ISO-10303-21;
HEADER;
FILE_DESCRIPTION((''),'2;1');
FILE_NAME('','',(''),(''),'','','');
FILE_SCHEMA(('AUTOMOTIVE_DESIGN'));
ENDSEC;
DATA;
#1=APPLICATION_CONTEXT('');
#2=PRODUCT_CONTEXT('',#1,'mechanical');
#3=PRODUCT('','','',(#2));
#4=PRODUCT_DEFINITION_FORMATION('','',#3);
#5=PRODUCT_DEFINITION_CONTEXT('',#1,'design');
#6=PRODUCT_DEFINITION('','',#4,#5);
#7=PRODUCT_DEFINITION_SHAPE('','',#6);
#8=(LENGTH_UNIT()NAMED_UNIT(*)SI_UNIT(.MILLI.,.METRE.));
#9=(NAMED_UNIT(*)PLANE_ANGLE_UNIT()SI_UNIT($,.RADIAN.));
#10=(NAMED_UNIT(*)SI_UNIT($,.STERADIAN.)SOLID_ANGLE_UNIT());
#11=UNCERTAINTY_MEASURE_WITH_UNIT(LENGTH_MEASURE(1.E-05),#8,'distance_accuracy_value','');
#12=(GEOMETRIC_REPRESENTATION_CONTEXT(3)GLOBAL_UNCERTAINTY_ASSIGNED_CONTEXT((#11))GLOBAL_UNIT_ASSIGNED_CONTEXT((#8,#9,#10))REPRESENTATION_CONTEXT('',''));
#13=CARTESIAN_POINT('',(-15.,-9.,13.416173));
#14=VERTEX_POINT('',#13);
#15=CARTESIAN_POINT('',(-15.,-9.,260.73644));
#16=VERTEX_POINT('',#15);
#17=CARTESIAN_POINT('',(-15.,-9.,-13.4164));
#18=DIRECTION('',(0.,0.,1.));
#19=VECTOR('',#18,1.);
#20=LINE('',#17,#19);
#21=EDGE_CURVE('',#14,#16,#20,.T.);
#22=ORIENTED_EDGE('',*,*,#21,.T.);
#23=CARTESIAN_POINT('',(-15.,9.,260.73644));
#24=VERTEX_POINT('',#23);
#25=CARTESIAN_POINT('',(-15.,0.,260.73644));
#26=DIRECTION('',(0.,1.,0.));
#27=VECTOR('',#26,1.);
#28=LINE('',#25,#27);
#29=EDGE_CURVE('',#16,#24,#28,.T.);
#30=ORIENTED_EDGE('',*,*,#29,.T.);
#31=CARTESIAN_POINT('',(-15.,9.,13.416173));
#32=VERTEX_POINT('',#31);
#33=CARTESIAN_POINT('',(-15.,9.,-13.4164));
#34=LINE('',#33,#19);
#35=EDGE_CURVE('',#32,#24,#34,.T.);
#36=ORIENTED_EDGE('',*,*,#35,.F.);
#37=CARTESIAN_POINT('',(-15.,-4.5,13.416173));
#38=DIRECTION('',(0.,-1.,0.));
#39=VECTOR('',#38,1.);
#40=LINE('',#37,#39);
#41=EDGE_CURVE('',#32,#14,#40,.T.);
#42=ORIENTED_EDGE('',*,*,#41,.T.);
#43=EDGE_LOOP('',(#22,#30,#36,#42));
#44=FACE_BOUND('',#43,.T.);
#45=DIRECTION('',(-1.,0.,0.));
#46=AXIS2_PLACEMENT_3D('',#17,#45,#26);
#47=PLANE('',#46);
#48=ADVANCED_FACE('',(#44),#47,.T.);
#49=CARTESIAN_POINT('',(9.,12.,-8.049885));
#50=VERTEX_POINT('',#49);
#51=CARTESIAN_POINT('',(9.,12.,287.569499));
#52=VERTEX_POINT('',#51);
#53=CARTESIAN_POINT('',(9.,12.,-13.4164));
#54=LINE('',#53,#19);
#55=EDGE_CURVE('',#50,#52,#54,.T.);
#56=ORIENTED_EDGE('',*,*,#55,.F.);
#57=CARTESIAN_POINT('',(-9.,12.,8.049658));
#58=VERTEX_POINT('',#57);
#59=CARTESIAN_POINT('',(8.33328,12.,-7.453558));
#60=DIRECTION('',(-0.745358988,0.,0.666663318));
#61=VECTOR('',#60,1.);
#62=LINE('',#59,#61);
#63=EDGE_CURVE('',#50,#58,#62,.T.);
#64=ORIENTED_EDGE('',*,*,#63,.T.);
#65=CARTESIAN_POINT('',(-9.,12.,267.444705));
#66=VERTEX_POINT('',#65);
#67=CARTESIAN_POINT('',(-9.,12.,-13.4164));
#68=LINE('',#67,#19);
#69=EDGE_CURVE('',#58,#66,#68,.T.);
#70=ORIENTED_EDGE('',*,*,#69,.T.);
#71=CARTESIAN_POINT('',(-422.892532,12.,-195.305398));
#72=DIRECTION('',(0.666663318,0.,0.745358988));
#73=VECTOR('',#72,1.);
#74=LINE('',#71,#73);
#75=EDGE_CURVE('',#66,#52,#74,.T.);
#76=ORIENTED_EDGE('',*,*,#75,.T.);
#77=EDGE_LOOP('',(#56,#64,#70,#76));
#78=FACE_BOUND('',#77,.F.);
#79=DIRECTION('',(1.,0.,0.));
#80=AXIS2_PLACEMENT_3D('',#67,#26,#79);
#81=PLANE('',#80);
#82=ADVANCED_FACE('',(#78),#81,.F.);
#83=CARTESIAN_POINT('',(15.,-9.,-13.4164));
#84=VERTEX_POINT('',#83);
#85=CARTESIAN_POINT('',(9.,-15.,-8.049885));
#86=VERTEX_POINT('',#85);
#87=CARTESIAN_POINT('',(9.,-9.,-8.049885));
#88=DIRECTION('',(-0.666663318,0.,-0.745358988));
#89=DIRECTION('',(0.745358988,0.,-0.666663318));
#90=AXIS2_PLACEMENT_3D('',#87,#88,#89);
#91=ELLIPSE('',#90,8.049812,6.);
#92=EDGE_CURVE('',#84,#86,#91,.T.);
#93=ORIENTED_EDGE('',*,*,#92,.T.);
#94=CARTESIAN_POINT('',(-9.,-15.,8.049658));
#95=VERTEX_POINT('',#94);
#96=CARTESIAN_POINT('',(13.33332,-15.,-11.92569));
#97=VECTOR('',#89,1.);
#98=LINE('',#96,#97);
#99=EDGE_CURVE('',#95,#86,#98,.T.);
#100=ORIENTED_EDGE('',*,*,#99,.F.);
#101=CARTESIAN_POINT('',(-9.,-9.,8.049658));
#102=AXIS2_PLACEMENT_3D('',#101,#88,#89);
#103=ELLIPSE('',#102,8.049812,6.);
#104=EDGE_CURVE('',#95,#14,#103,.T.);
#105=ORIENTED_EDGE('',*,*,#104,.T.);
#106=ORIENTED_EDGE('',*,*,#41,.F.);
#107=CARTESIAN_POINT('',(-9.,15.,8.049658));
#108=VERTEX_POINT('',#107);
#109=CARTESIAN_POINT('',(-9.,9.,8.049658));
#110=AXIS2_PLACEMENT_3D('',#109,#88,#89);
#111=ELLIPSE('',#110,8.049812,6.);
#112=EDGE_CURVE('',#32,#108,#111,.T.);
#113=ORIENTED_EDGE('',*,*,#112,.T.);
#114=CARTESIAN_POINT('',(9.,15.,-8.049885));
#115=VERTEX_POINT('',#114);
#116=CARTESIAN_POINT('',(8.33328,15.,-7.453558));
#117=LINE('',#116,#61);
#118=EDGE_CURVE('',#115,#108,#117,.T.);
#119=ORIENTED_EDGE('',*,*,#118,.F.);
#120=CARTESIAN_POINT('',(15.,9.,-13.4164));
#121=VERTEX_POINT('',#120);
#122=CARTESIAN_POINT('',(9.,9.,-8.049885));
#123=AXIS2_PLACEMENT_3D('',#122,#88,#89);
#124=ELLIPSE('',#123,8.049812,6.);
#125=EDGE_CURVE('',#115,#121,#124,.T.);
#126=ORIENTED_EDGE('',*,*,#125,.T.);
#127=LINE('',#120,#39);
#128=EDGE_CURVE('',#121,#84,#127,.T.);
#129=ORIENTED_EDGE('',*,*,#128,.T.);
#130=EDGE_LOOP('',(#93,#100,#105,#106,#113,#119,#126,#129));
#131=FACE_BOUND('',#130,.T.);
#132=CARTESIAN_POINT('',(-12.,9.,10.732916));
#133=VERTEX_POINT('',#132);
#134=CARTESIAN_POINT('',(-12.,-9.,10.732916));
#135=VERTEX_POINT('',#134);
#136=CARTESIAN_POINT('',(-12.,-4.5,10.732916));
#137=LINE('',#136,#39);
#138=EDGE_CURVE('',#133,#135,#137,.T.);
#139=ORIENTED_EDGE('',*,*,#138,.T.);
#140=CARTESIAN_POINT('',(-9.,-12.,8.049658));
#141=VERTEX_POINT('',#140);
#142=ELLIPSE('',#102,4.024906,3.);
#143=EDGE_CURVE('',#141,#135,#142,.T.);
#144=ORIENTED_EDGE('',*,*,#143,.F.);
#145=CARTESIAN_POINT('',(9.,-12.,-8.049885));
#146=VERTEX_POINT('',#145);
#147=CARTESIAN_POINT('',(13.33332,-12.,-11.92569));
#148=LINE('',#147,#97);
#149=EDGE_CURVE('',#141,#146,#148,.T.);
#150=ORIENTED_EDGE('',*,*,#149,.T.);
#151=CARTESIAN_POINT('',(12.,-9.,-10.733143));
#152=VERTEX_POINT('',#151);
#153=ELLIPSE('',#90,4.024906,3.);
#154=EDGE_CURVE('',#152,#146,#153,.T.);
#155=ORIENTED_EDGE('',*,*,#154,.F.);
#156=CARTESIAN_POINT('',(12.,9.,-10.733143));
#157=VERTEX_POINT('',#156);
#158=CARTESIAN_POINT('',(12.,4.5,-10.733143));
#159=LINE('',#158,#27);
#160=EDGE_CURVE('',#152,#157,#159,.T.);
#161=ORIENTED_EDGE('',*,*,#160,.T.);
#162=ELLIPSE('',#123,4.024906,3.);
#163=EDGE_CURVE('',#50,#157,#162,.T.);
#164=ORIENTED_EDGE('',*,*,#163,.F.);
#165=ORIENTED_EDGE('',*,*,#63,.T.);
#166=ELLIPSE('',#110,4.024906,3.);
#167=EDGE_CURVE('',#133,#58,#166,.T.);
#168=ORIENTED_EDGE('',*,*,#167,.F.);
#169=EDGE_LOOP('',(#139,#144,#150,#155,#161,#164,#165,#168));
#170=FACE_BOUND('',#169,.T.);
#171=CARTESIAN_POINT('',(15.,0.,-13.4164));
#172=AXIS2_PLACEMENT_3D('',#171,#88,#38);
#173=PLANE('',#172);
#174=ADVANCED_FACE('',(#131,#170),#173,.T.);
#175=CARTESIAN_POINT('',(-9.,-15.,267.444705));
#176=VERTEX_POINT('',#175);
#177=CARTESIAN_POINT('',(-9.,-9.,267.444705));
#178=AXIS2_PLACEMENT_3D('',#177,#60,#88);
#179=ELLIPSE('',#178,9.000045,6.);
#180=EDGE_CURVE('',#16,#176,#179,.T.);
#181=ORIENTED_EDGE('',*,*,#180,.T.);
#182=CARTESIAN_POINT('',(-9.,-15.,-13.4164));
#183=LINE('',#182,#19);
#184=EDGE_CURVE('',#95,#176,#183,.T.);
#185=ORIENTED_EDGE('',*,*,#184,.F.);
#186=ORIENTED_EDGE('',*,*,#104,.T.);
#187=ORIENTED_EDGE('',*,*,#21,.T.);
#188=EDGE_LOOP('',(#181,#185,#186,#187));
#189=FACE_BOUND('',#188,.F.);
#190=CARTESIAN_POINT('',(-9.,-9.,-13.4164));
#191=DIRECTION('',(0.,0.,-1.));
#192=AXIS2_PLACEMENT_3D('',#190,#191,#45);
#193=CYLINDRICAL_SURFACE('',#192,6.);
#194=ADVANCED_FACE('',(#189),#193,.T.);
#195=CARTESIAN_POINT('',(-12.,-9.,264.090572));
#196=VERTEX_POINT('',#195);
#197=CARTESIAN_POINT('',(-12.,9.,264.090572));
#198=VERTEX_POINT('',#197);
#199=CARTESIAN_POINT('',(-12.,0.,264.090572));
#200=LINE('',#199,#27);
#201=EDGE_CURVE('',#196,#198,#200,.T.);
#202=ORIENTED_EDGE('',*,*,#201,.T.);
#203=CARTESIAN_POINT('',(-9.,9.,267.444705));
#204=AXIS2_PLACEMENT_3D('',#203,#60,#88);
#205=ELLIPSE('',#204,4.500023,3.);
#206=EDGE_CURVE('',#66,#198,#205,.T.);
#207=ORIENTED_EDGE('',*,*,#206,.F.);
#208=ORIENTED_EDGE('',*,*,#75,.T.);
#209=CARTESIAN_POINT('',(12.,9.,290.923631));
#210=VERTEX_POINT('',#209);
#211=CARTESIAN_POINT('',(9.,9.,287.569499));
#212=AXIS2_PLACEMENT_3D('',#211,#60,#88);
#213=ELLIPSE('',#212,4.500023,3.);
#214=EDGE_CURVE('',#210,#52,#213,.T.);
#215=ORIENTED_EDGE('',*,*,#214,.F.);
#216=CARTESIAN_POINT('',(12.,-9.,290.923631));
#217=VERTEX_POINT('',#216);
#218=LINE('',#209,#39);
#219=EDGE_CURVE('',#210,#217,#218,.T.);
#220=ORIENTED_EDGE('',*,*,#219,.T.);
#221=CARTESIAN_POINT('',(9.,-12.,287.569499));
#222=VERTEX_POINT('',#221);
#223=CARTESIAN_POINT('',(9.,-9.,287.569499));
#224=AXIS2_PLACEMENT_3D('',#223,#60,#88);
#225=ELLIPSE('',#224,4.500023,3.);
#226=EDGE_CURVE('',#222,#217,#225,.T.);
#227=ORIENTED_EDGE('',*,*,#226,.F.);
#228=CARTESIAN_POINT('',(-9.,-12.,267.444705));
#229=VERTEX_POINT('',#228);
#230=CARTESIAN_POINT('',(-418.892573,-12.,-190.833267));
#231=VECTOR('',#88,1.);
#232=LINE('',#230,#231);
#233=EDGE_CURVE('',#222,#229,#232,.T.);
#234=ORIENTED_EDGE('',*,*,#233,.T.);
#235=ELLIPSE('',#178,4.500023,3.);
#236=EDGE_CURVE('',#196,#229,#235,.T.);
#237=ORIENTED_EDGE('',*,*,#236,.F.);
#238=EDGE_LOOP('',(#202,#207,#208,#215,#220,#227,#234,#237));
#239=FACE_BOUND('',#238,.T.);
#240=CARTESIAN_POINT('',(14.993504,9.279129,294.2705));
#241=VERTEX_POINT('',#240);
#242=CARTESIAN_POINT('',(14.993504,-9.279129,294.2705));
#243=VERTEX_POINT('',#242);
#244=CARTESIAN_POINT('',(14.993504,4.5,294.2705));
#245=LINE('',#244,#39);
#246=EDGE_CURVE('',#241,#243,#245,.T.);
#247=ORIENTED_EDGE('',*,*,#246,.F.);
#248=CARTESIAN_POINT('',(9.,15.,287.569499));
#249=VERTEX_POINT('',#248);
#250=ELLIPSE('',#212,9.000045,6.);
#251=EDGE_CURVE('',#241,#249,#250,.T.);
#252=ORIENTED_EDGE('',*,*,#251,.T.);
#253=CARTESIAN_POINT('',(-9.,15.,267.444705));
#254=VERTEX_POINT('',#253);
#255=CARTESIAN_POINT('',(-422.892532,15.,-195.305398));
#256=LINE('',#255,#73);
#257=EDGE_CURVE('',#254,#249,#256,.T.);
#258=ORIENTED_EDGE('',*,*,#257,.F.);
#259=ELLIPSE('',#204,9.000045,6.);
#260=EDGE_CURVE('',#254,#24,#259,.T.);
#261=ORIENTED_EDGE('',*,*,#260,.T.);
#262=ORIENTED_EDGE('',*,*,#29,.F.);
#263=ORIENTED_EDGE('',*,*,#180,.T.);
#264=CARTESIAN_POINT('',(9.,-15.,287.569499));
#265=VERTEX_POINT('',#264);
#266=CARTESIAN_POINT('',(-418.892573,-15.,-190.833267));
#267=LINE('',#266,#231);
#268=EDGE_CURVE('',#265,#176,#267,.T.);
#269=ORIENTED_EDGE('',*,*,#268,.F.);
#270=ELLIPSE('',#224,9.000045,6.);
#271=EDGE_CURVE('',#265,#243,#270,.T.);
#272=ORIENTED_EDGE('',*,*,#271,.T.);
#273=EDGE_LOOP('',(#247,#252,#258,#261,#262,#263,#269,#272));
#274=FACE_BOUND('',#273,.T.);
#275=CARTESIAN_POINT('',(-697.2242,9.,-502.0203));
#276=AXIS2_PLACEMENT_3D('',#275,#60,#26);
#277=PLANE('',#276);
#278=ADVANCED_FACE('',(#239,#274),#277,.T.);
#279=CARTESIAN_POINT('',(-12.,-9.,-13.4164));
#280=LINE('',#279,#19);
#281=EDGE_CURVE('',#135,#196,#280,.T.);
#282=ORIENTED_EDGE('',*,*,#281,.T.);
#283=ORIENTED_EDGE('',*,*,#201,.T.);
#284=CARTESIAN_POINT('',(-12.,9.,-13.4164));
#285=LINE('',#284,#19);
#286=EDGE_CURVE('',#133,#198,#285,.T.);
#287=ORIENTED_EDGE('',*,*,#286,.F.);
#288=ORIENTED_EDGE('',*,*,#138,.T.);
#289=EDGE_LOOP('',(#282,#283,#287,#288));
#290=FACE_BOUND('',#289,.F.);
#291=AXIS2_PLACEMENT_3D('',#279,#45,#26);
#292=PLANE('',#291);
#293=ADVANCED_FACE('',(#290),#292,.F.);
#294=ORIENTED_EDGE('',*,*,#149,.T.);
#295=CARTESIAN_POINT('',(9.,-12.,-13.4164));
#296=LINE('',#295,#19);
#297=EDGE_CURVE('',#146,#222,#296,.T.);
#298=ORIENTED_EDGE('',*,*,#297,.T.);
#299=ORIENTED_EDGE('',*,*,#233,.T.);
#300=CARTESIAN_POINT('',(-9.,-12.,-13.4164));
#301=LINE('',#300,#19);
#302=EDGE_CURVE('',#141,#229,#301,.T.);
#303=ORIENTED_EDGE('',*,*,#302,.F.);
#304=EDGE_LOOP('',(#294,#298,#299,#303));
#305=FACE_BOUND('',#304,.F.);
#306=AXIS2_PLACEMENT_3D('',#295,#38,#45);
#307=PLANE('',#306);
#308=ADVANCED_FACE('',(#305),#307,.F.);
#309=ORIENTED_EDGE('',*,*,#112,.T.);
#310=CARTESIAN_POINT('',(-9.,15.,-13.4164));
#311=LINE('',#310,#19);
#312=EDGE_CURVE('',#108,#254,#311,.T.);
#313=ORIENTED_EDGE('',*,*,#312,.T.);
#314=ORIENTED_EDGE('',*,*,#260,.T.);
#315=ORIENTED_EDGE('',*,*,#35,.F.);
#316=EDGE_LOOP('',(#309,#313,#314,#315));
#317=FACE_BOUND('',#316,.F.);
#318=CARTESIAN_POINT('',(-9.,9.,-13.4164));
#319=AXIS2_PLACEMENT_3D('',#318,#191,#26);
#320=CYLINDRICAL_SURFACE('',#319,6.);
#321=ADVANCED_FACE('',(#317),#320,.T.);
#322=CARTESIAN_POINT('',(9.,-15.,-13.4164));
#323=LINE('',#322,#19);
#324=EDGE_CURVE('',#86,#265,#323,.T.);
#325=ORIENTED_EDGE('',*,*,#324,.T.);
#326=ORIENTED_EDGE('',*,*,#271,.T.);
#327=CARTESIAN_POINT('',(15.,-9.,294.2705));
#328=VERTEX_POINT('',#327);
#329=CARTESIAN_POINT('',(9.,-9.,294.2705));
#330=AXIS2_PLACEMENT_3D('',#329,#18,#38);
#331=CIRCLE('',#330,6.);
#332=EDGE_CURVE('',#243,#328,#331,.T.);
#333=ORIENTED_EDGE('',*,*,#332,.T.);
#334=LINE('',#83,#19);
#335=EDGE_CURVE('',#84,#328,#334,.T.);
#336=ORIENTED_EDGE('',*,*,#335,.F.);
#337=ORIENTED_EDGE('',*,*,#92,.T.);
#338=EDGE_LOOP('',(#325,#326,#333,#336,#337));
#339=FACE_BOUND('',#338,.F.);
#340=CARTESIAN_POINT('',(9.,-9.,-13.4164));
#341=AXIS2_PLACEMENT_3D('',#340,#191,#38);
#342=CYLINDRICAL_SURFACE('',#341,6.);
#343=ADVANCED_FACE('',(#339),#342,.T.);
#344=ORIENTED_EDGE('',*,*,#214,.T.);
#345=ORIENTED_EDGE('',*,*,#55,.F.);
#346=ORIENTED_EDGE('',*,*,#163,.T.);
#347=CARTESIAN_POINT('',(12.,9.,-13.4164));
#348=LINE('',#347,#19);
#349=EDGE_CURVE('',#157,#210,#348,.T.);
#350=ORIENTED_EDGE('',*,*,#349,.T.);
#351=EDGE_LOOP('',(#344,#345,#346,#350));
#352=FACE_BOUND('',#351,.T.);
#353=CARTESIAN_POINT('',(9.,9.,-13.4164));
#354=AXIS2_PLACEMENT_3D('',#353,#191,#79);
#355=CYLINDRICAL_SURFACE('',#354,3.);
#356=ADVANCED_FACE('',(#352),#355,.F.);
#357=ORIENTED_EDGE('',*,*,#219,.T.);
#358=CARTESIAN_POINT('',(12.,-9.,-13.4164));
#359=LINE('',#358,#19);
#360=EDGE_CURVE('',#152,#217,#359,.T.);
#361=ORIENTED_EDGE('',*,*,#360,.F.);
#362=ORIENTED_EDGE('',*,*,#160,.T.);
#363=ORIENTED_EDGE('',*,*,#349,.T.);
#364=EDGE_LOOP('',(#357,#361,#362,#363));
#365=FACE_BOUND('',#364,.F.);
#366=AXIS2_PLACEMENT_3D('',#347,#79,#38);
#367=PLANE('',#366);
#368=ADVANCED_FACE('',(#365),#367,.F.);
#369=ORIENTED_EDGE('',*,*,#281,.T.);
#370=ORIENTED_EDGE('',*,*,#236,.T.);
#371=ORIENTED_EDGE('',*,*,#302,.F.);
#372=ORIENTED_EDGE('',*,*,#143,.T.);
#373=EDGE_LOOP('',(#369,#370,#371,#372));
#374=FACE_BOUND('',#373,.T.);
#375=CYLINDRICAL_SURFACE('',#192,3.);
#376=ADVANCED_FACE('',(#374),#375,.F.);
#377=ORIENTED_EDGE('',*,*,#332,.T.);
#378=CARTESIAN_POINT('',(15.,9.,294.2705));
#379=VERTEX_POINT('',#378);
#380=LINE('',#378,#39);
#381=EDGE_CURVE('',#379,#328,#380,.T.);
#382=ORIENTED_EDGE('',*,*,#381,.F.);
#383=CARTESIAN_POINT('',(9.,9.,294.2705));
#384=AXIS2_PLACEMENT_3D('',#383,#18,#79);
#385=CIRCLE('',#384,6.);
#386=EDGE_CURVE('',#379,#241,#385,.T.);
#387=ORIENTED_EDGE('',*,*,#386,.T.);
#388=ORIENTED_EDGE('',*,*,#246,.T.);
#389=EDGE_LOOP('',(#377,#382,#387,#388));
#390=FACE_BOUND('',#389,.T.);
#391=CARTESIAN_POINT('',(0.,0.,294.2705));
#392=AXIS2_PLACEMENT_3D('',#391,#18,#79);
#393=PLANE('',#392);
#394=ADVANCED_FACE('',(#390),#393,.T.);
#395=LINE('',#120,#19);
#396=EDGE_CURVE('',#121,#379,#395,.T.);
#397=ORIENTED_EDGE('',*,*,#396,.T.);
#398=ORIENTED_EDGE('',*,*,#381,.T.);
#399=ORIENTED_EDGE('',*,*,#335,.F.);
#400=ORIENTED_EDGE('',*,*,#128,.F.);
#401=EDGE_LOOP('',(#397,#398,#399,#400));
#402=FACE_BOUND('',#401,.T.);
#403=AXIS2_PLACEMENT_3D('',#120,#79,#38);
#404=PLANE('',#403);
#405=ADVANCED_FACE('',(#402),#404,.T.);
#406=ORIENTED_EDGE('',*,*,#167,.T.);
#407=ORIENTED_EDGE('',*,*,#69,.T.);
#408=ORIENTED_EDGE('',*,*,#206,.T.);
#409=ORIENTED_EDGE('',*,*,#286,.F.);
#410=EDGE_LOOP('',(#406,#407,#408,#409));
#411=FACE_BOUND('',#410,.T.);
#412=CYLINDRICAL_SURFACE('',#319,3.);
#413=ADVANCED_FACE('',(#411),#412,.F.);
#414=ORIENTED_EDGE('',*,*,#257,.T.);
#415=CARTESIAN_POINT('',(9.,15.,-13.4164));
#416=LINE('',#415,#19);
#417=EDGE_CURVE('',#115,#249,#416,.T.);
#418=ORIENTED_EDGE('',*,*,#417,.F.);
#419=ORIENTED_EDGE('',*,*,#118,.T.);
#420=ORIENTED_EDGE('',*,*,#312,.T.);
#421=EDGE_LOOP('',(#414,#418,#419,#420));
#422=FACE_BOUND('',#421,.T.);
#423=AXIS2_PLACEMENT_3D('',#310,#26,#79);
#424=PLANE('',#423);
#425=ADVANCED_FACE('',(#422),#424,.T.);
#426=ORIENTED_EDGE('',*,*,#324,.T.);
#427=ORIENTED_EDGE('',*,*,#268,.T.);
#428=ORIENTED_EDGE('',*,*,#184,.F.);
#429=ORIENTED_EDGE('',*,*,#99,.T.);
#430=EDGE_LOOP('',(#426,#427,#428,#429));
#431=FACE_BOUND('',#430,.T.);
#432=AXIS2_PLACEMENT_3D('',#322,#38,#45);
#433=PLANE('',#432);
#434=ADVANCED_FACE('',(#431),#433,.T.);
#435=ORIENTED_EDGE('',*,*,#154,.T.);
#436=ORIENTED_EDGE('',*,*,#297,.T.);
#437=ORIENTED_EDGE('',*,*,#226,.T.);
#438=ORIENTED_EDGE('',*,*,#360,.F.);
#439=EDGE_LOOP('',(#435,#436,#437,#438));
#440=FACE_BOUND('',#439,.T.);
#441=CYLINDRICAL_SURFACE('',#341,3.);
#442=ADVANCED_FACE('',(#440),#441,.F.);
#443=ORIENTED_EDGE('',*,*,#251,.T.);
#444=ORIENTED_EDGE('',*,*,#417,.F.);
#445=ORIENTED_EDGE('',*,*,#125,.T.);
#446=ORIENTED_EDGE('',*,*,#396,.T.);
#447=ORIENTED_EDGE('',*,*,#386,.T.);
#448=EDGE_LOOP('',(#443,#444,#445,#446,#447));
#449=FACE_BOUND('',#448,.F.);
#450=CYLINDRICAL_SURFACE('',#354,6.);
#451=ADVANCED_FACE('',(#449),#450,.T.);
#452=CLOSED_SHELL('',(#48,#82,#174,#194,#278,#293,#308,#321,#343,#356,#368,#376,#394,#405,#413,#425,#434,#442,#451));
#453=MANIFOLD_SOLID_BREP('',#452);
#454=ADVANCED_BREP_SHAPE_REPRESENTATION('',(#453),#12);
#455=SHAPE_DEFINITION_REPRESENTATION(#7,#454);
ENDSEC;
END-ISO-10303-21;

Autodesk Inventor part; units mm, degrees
ref_plane "Start Plane" through (0, 0, -13.4164) normal (0, 0, 1) x (1, 0, 0)
ref_plane "End Plane" through (0, 0, 294.2705) normal (0, 0, 1) x (1, 0, 0)
sketch "Sketch" plane through (0, 0, 0) normal (0, 0, 1) x (1, 0, 0)
  line L0 (-15, -9) -> (-15, 9)
  line L1 (-9, 15) -> (9, 15)
  line L2 (15, 9) -> (15, -9)
  line L3 (9, -15) -> (-9, -15)
  arc A0 (-15, -9) -> (-9, -15) centre (-9, -9) ccw
  arc A1 (-9, 15) -> (-15, 9) centre (-9, 9) ccw
  arc A2 (15, 9) -> (9, 15) centre (9, 9) ccw
  arc A3 (9, -15) -> (15, -9) centre (9, -9) ccw
  arc A4 (-9, 12) -> (-12, 9) centre (-9, 9) ccw
  line L4 (-9, 12) -> (9, 12)
  arc A5 (12, 9) -> (9, 12) centre (9, 9) ccw
  line L5 (12, 9) -> (12, -9)
  arc A6 (9, -12) -> (12, -9) centre (9, -9) ccw
  line L6 (9, -12) -> (-9, -12)
  arc A7 (-12, -9) -> (-9, -12) centre (-9, -9) ccw
  line L7 (-12, -9) -> (-12, 9)
  line L8 (0, 22.7397) -> (0, -22.7397) construction
  line L9 (-22.7397, 0) -> (22.7397, 0) construction
  dimension "d7" = 6
  dimension "d10" = 30
  dimension "d11" = 30
  dimension "d12" = 3
  dimension "d15" = 15
  dimension "d16" = 15
extrude "Body" add sketch "Sketch" along normal up to surface (307.6869 mm away) from surface at -13.4164
sketch "Sketch3" plane through (0, 0, 0) normal (0, 0, 1) x (1, 0, 0)
  line L0 (0, 0) -> (10, 0)
ref_plane "Work Plane3" through (0, 0, 0) normal (0, -1, 0) x (1, 0, 0)
ref_plane "Work Plane4" through (15, 0, -13.4164) normal (-0.6667, 0, -0.7454) x (-0.7454, 0, 0.6667)
split "Split1" plane through (15, 0, -13.4164) removes the side toward (-0.6667, 0, -0.7454)
ref_plane "Work Plane5" through (-697.2242, 9, -502.0203) normal (-0.7454, 0, 0.6667) x (0.6667, 0, 0.7454)
split "Split2" plane through (-697.2242, 9, -502.0203) removes the side toward (-0.7454, 0, 0.6667)
sketch "Sketch4" plane through (0, 0, 0) normal (0, -1, 0) x (1, 0, 0)
  line L0 (-2, -13.4164) -> (12, -13.4164) projected
  line L1 (-2, 294.2705) -> (12, 294.2705) projected
  dimension "d18" = 307.6869
equation "\"d7\" = G_IR"
equation "\"d10\" = G_H"
equation "\"d11\" = G_W"
equation "\"d12\" = G_T"
equation "\"d15\" = 0.5 * d10"
equation "\"d16\" = 0.5 * d11"
equation "\"d3\" = G_L"
equation "\"G_W\" = 30"
equation "\"G_H\" = 30"
equation "\"G_T\" = 3"
equation "\"G_IR\" = 6"
equation "\"G_L\" = d18"
equation "\"G_OFFSET_START\" = 13.41641"
equation "\"G_OFFSET_END\" = -5.72949"
equation "\"d13\" = -G_OFFSET_START"
equation "\"d14\" = G_OFFSET_END + B_L"
equation "\"B_L\" = 300"
properties part number "DIN EN 10219-2 - 30 x 30 x 3  - 307.69" material "Steel, Mild"
